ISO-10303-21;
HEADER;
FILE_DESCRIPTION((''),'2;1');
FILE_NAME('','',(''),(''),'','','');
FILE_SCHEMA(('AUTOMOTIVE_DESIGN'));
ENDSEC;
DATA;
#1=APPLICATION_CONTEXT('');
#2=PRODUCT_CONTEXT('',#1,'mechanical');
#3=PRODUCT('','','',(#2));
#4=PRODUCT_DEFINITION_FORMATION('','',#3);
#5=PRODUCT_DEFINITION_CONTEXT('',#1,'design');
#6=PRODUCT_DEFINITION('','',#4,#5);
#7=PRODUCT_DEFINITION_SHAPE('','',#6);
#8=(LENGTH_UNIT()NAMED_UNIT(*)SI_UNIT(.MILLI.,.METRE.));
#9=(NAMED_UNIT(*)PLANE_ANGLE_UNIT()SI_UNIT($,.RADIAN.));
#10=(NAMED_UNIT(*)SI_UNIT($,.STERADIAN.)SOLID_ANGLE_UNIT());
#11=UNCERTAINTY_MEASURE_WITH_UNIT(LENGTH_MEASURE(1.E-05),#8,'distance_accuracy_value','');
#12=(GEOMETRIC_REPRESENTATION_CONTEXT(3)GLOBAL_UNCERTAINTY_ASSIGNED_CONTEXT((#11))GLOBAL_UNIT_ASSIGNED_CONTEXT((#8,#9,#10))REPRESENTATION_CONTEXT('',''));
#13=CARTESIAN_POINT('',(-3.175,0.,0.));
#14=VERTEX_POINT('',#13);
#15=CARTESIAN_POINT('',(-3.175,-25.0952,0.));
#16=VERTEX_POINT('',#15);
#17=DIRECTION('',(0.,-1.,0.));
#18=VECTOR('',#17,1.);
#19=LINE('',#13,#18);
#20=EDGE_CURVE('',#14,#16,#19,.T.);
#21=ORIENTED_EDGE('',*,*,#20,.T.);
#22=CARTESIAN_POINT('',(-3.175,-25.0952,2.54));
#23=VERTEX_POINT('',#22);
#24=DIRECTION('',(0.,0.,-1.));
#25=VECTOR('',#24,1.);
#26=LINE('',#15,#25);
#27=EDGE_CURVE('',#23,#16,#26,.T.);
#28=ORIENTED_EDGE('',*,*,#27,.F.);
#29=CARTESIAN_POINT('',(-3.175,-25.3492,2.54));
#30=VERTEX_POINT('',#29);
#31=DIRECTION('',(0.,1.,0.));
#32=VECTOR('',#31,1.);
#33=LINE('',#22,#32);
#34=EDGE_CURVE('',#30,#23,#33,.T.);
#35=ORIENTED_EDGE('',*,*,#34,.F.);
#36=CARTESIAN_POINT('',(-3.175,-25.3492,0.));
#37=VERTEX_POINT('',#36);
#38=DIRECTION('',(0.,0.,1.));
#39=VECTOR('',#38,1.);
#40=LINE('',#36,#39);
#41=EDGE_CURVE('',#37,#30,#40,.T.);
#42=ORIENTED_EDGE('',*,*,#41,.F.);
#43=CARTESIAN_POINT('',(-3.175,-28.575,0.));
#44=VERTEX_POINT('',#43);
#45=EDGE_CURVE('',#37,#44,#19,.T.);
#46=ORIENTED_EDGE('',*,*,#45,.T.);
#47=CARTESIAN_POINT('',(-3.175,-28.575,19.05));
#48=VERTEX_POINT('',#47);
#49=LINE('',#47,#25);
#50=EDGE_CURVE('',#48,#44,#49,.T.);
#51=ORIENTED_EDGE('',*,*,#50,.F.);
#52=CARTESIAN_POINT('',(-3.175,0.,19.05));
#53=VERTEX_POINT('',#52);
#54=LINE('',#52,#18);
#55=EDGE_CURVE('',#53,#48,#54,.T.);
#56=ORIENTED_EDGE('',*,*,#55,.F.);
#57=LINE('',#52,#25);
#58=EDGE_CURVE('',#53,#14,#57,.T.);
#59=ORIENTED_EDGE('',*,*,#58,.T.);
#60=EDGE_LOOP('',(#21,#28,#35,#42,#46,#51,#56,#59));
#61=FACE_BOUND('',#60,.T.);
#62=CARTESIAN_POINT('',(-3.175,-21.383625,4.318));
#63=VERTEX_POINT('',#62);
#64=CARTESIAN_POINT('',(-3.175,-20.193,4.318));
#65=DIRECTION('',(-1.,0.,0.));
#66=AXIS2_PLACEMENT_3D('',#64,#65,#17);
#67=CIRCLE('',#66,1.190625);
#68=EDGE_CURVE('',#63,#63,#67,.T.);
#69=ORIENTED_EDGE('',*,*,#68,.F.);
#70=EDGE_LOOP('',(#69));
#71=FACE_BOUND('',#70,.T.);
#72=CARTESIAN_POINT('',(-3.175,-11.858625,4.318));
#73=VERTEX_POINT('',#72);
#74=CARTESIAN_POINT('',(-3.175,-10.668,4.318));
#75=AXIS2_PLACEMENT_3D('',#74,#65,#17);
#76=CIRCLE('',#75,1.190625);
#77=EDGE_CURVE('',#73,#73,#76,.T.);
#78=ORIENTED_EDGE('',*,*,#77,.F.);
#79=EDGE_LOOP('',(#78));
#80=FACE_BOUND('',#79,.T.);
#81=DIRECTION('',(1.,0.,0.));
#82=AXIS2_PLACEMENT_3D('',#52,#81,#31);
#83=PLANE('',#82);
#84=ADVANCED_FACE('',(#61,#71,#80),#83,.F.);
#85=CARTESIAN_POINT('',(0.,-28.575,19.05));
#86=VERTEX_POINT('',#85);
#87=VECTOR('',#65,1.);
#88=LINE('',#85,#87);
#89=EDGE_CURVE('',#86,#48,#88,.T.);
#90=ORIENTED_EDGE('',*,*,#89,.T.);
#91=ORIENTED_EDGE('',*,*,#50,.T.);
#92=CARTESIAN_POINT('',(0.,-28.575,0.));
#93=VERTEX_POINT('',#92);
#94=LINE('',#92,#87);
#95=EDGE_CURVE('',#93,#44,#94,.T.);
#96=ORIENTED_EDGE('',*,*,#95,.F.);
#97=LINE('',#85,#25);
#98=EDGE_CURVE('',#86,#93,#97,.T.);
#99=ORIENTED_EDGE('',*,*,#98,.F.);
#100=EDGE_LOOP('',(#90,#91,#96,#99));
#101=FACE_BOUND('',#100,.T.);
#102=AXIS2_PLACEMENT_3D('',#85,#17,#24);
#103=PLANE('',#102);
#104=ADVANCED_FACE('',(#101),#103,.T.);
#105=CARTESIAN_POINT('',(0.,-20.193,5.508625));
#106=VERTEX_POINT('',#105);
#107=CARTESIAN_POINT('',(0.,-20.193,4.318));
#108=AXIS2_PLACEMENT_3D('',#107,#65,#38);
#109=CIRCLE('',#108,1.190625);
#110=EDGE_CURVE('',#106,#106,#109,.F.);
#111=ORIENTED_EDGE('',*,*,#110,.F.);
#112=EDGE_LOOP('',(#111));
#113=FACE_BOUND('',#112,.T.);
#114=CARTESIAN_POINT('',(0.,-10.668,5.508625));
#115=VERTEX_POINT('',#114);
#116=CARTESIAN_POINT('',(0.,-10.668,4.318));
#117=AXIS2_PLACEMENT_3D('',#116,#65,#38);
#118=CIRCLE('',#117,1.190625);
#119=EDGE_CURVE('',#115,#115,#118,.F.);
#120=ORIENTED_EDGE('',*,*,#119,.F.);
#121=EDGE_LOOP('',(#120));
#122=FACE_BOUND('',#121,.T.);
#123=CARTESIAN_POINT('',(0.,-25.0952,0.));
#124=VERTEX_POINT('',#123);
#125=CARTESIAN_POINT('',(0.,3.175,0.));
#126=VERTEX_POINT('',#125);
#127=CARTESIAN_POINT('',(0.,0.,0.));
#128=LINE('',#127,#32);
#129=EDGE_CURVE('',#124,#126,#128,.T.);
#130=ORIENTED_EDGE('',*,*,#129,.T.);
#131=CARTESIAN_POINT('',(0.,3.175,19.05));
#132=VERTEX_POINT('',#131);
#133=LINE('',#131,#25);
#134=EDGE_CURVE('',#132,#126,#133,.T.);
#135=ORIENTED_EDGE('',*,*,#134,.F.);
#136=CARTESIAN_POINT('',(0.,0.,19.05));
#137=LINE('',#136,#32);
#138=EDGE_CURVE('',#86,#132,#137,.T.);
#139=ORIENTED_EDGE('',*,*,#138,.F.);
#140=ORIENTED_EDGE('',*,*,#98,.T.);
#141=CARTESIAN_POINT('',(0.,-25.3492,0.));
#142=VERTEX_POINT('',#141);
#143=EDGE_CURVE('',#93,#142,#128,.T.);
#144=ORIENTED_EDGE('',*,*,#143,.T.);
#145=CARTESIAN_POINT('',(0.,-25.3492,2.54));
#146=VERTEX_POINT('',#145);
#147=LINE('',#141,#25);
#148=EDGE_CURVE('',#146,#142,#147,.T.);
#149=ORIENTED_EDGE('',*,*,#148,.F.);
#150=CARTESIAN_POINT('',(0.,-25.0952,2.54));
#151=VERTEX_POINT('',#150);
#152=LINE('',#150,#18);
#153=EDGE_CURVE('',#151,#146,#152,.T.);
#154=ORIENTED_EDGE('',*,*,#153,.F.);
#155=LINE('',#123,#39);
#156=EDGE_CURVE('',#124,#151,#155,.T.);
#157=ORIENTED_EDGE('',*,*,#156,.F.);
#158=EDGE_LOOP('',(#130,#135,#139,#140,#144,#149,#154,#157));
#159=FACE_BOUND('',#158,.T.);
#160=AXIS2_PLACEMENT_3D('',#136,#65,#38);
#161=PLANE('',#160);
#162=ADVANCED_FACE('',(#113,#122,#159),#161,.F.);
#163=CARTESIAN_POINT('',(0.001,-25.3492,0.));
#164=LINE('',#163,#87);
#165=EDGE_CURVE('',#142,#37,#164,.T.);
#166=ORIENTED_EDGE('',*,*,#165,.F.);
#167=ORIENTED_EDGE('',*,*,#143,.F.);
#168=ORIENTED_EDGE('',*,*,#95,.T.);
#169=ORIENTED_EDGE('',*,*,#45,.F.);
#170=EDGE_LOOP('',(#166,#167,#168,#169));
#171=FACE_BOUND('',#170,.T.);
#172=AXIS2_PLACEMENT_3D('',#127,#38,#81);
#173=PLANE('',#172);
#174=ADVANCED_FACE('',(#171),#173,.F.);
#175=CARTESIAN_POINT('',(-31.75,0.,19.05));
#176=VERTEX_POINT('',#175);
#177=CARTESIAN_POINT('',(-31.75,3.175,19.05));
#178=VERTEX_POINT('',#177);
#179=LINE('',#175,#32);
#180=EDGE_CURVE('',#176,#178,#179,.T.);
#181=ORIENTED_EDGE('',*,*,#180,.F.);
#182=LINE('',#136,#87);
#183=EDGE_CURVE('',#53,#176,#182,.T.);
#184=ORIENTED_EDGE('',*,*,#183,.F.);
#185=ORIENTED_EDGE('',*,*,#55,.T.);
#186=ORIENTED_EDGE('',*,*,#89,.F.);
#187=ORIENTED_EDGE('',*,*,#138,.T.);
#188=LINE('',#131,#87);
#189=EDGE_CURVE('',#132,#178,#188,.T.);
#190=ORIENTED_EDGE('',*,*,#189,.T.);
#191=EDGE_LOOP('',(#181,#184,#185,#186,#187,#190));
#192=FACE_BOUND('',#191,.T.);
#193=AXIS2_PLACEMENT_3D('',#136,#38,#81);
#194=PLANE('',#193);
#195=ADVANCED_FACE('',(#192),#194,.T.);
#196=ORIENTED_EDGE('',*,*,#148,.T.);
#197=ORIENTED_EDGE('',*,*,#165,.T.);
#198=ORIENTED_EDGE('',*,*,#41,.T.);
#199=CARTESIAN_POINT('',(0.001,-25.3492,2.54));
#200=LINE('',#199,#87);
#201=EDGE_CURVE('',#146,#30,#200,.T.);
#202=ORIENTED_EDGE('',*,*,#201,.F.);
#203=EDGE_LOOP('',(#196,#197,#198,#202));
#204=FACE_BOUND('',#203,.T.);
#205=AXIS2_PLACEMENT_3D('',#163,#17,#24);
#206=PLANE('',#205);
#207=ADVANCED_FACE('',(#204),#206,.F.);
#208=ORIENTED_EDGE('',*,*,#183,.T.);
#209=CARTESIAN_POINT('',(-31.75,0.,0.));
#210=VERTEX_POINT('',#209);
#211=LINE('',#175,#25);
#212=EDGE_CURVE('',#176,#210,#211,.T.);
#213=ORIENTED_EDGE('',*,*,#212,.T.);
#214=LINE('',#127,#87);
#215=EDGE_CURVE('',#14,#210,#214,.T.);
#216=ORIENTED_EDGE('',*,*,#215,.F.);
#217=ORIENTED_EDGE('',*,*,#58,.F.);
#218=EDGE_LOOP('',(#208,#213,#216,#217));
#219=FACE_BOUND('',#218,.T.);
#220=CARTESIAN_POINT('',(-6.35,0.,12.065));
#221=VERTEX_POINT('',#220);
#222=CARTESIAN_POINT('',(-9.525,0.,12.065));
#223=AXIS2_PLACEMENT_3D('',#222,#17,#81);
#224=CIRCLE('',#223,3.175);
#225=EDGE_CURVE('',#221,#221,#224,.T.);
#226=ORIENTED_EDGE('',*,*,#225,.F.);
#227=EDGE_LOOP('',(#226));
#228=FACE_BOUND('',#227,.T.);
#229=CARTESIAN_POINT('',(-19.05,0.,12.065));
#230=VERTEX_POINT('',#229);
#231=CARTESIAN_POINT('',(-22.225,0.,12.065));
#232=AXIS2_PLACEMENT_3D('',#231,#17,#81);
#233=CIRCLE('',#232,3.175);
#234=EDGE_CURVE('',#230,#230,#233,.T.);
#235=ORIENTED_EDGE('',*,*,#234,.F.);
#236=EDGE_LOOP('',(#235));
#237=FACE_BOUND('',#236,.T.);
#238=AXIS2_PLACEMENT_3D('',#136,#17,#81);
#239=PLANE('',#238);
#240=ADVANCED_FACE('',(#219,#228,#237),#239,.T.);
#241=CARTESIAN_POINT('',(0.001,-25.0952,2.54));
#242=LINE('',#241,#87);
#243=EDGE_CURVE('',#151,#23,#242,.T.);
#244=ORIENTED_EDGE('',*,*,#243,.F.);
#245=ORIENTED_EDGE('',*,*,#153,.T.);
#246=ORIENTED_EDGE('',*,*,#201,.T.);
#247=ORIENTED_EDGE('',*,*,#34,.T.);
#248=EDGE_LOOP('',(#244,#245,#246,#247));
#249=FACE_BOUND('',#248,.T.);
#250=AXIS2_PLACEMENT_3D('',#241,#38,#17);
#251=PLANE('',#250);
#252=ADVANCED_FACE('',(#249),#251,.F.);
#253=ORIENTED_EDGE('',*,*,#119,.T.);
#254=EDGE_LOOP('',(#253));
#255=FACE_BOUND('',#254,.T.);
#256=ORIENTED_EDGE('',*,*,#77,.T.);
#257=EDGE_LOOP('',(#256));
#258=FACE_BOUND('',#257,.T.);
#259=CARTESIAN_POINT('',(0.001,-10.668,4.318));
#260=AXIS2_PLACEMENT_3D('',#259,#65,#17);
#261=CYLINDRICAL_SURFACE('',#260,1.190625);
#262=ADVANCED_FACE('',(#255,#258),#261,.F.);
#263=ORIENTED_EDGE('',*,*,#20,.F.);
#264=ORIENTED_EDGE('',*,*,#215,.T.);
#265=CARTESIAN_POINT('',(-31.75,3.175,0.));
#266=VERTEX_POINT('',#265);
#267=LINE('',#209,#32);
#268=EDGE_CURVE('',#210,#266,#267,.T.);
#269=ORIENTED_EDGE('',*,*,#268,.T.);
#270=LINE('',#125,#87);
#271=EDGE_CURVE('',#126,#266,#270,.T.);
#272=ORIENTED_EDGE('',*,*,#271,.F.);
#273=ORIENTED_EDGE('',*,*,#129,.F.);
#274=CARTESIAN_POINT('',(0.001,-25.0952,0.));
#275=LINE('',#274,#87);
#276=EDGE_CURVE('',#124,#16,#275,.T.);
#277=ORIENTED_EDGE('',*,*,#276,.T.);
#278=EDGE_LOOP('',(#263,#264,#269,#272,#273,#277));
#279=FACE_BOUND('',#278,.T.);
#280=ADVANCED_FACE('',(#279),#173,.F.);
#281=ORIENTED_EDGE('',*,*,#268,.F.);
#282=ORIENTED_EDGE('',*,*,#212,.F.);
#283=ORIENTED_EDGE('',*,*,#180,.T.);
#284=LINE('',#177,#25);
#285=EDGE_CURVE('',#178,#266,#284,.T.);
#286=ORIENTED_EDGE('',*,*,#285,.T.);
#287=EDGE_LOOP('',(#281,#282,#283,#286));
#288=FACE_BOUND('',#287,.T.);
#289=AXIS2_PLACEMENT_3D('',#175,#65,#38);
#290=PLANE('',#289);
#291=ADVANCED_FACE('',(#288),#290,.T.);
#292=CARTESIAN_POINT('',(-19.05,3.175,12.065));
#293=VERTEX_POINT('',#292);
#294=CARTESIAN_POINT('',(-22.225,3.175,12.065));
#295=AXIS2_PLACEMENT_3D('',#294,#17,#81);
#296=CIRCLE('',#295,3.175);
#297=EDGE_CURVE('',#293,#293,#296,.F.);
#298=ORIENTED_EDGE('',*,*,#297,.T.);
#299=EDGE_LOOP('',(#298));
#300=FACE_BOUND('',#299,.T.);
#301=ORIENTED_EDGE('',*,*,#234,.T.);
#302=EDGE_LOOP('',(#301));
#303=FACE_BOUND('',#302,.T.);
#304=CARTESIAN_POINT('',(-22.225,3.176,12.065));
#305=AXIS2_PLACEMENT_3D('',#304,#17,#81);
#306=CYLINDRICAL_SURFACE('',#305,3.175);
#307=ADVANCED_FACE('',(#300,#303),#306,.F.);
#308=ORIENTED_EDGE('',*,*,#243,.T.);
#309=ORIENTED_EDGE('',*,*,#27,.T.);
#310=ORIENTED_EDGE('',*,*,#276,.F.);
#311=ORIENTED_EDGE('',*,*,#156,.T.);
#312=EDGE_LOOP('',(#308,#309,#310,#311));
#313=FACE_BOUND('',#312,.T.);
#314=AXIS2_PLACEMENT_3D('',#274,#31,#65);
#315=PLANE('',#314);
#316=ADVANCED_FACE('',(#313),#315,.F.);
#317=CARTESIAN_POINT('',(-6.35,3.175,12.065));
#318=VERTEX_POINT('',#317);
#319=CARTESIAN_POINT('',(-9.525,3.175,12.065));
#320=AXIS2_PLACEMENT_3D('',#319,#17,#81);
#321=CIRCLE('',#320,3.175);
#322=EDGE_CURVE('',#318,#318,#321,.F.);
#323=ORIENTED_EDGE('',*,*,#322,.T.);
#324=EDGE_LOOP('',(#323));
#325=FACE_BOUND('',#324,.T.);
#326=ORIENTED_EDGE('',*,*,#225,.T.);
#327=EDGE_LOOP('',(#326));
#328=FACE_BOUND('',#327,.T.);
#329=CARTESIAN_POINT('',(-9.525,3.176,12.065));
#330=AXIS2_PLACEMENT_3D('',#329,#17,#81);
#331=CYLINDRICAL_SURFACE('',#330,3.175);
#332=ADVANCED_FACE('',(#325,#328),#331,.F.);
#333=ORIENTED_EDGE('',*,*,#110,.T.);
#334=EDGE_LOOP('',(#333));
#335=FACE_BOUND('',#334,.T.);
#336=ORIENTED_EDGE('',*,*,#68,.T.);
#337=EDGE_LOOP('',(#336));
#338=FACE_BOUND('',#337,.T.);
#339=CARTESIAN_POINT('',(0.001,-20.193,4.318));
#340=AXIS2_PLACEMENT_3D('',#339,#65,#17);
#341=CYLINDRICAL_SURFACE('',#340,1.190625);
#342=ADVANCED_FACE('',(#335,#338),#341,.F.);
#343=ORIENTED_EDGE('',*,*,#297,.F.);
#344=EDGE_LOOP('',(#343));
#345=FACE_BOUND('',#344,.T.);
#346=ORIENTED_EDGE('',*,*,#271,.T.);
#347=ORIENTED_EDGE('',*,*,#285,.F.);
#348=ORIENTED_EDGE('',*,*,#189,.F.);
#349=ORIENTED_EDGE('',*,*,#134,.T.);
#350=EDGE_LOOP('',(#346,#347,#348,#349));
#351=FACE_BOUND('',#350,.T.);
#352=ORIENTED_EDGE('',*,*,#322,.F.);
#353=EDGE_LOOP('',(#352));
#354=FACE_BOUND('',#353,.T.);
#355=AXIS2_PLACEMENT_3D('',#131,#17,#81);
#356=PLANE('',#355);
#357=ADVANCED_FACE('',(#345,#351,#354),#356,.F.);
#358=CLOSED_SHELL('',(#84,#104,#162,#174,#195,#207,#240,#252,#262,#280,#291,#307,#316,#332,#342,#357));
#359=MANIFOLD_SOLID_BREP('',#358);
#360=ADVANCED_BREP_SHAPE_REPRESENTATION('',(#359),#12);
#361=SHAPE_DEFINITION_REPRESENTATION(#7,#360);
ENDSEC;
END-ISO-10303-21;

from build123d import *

# Parameters (mm, degrees)
SKETCH1_W           = 31.75
SKETCH1_H           = 3.175
SKETCH1_W_2         = 3.175
SKETCH1_H_2         = 28.575
BOSS_EXTRUDE1_DEPTH = 19.05
SWITCH_MOUNT_REACH  = 5.175
SKETCH2_R           = 1.190625
SKETCH2_W           = 2.54
SKETCH2_H           = 0.254
BRACKET_MOUNT_REACH = 5.175
SKETCH3_R           = 3.175


with BuildPart() as part:
    # Sketch1 → Boss-Extrude1 (new body)
    with BuildSketch(Plane.XY):
        with Locations((-15.875, 1.5875)):
            Rectangle(SKETCH1_W, SKETCH1_H)
        with Locations((-1.5875, -14.2875)):
            Rectangle(SKETCH1_W_2, SKETCH1_H_2)
    extrude(amount=BOSS_EXTRUDE1_DEPTH)

    # Sketch2 → Switch Mount (cut, up to next)
    with BuildSketch(Plane.ZY.offset(3.175), mode=Mode.PRIVATE) as switch_mount_sk1:
        with Locations((4.318, -10.668)):
            Circle(SKETCH2_R)
    switch_mount_tool1 = extrude(switch_mount_sk1.sketch, amount=-SWITCH_MOUNT_REACH, mode=Mode.PRIVATE) & part.part
    add(switch_mount_tool1.solids().sort_by_distance((-3.175, -10.668, 4.318))[0], mode=Mode.SUBTRACT)
    # Sketch2 → Switch Mount (cut, up to next)
    with BuildSketch(Plane.ZY.offset(3.175), mode=Mode.PRIVATE) as switch_mount_sk2:
        with Locations((4.318, -20.193)):
            Circle(SKETCH2_R)
    switch_mount_tool2 = extrude(switch_mount_sk2.sketch, amount=-SWITCH_MOUNT_REACH, mode=Mode.PRIVATE) & part.part
    add(switch_mount_tool2.solids().sort_by_distance((-3.175, -20.193, 4.318))[0], mode=Mode.SUBTRACT)
    # Sketch2 → Switch Mount (cut, up to next)
    with BuildSketch(Plane.ZY.offset(3.175), mode=Mode.PRIVATE) as switch_mount_sk3:
        with Locations((1.27, -25.2222)):
            Rectangle(SKETCH2_W, SKETCH2_H)
    switch_mount_tool3 = extrude(switch_mount_sk3.sketch, amount=-SWITCH_MOUNT_REACH, mode=Mode.PRIVATE) & part.part
    add(switch_mount_tool3.solids().sort_by_distance((-3.175, -25.2222, 1.27))[0], mode=Mode.SUBTRACT)

    # Sketch3 → Bracket Mount (cut, up to next)
    with BuildSketch(Plane.XZ, mode=Mode.PRIVATE) as bracket_mount_sk1:
        with Locations((-9.525, 12.065)):
            Circle(SKETCH3_R)
    bracket_mount_tool1 = extrude(bracket_mount_sk1.sketch, amount=-BRACKET_MOUNT_REACH, mode=Mode.PRIVATE) & part.part
    add(bracket_mount_tool1.solids().sort_by_distance((-9.525, 0, 12.065))[0], mode=Mode.SUBTRACT)
    # Sketch3 → Bracket Mount (cut, up to next)
    with BuildSketch(Plane.XZ, mode=Mode.PRIVATE) as bracket_mount_sk2:
        with Locations((-22.225, 12.065)):
            Circle(SKETCH3_R)
    bracket_mount_tool2 = extrude(bracket_mount_sk2.sketch, amount=-BRACKET_MOUNT_REACH, mode=Mode.PRIVATE) & part.part
    add(bracket_mount_tool2.solids().sort_by_distance((-22.225, 0, 12.065))[0], mode=Mode.SUBTRACT)


solid = part.part
